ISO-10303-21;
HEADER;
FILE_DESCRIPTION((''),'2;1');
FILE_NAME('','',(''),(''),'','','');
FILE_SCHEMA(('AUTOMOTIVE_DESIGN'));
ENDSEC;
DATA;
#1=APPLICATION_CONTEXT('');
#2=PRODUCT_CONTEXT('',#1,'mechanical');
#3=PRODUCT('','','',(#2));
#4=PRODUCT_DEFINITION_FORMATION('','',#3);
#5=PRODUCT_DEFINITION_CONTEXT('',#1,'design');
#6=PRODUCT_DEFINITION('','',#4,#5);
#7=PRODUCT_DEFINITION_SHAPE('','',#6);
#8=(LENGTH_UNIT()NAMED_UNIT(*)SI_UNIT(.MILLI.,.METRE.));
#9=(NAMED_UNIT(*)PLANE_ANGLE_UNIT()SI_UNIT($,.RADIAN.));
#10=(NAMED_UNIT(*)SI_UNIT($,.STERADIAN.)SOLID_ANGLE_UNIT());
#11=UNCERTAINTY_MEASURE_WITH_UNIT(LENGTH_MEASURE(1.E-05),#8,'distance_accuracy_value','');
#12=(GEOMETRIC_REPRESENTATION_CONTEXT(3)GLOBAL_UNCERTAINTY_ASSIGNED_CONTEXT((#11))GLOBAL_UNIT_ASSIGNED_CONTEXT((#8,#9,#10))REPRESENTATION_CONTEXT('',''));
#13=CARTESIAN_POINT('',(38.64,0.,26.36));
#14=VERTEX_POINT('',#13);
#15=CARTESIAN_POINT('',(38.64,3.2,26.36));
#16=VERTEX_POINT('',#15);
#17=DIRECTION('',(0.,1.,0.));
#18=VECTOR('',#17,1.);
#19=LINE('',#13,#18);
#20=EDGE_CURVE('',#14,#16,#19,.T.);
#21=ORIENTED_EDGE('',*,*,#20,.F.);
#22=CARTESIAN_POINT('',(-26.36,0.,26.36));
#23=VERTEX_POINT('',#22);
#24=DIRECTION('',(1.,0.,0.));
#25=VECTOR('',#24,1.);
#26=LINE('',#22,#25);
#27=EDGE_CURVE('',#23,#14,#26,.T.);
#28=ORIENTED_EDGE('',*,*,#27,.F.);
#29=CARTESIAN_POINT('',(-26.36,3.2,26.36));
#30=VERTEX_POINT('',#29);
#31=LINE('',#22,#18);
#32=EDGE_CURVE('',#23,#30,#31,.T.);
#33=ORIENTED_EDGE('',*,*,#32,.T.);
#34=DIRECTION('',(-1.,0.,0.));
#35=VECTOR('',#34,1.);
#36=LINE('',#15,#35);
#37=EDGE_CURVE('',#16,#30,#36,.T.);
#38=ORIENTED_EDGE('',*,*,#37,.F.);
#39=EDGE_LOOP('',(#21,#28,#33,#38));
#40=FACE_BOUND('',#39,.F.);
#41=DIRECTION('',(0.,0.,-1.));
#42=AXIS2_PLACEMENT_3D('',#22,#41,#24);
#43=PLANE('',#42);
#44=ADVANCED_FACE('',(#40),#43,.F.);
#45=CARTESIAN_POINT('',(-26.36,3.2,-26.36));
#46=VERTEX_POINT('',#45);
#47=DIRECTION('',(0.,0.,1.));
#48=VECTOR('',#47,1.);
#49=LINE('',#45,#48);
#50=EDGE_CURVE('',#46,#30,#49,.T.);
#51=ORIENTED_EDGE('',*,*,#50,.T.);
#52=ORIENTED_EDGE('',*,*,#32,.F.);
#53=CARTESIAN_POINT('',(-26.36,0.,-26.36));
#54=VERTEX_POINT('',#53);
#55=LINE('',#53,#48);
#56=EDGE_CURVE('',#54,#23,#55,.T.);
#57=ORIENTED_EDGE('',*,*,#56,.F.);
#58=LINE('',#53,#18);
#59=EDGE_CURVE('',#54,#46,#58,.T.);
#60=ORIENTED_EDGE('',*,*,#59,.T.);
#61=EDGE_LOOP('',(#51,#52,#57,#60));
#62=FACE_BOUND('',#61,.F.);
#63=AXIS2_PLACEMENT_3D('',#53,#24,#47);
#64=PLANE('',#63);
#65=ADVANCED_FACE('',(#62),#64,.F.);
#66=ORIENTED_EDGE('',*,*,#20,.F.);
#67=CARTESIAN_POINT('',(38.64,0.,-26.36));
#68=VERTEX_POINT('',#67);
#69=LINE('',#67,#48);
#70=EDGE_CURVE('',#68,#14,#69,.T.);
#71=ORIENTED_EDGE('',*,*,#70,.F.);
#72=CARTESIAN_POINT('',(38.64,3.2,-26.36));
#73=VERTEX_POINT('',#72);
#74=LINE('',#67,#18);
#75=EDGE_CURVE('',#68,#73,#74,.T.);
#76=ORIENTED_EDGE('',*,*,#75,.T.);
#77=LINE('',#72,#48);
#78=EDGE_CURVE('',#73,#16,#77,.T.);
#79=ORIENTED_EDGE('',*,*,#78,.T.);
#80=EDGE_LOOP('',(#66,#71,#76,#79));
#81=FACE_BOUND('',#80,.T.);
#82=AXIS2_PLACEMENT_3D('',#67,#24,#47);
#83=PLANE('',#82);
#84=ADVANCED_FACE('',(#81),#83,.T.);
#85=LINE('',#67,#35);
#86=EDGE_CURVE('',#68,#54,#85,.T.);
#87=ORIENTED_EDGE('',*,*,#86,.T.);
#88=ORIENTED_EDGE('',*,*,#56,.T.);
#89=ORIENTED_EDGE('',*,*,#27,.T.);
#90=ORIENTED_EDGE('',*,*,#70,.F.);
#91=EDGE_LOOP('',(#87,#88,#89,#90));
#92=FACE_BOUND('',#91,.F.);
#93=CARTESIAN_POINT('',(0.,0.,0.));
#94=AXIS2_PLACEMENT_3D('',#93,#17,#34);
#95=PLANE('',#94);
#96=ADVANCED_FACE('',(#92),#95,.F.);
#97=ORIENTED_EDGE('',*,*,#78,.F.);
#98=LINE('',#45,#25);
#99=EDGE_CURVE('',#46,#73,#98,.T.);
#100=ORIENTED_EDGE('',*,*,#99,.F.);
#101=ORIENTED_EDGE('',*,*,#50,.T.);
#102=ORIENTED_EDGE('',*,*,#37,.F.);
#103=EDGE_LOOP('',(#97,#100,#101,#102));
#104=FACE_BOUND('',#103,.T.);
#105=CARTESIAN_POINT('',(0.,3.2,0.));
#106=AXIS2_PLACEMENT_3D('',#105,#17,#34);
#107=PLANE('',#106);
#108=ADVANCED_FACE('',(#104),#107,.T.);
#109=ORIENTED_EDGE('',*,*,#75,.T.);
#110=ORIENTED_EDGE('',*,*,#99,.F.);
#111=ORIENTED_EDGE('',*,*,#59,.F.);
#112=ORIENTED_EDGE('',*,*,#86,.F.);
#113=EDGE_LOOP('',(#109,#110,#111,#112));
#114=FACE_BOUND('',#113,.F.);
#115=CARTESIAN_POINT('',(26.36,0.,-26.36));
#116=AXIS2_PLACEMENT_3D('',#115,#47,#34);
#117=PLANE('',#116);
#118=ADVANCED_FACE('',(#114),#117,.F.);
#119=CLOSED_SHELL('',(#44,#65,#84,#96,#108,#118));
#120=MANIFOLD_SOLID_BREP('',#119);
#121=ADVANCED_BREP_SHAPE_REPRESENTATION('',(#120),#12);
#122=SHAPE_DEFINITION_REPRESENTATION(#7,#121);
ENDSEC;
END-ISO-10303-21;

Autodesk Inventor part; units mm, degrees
ref_plane "YZ Plane" through (0, 0, 0) normal (1, 0, 0) x (0, 1, 0)
ref_plane "XZ Plane" through (0, 0, 0) normal (0, 1, 0) x (-1, 0, 0)
ref_plane "XY Plane" through (0, 0, 0) normal (0, 0, 1) x (1, 0, 0)
sketch "Sketch1" plane through (0, 0, 0) normal (0, 1, 0) x (-1, 0, 0)
  line L0 (26.36, 26.36) -> (-26.36, 26.36)
  line L1 (-26.36, 26.36) -> (-26.36, -26.36)
  line L2 (-26.36, -26.36) -> (26.36, -26.36)
  line L3 (26.36, -26.36) -> (26.36, 26.36)
  line L4 (26.36, 26.36) -> (-26.36, -26.36) construction
  line L5 (-26.36, 26.36) -> (26.36, -26.36) construction
  line L6 (-26.36, -26.36) -> (-38.64, -26.36)
  line L7 (-38.64, -26.36) -> (-38.64, 26.36)
  line L8 (-38.64, 26.36) -> (-26.36, 26.36)
  line L9 (-26.36, 26.36) -> (-26.36, -26.36)
  point P0 (0, 0)
  dimension "d4" = 65
  dimension "d5" = 52.72
extrude "Extrusion1" add sketch "Sketch1" along normal blind 3.2
sketch "Sketch2" plane through (0, 3.2, 0) normal (0, 1, 0) x (1, 0, 0)
  point P0 (0, 0)
properties part number "Base"
